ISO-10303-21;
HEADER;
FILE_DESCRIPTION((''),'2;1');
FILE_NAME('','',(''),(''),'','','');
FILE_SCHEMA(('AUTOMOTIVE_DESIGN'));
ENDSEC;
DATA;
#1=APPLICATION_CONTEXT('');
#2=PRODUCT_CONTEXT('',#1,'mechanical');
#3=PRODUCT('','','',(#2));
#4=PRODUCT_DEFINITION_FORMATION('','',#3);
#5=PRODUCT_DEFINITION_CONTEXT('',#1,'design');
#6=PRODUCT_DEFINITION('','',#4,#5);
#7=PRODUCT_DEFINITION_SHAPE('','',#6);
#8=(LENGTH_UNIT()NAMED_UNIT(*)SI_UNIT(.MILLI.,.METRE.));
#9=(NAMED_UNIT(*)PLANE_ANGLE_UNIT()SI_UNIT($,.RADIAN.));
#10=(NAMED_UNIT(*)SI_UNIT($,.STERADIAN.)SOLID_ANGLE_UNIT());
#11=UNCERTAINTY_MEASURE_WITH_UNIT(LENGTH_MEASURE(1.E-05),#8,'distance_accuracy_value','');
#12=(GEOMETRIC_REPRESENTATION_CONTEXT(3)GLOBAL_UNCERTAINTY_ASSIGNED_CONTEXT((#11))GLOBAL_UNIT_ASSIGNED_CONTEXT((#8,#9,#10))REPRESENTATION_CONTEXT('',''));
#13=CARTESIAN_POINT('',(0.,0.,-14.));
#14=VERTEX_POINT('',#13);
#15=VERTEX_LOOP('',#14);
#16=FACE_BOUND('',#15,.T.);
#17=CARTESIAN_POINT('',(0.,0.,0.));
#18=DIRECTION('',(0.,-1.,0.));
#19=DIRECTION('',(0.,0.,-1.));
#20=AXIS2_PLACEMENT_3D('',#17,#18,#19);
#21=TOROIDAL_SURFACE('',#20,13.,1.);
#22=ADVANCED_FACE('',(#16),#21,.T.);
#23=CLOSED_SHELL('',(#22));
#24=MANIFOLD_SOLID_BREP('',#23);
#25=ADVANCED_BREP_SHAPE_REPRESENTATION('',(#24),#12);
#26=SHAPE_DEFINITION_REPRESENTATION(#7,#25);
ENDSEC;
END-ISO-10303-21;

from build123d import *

# Parameters (mm, degrees)
SKETCH1_R = 1


with BuildPart() as part:
    # Sketch1 → Revolve1 (revolve)
    with BuildSketch(Plane.XY, mode=Mode.PRIVATE) as revolve1_sk:
        with Locations((13, 0)):
            Circle(SKETCH1_R)
    revolve(revolve1_sk.sketch.rotate(Axis((0, 0, 0), (0, 1, 0)), 90), axis=Axis((0, 0, 0), (0, 1, 0)))


solid = part.part
